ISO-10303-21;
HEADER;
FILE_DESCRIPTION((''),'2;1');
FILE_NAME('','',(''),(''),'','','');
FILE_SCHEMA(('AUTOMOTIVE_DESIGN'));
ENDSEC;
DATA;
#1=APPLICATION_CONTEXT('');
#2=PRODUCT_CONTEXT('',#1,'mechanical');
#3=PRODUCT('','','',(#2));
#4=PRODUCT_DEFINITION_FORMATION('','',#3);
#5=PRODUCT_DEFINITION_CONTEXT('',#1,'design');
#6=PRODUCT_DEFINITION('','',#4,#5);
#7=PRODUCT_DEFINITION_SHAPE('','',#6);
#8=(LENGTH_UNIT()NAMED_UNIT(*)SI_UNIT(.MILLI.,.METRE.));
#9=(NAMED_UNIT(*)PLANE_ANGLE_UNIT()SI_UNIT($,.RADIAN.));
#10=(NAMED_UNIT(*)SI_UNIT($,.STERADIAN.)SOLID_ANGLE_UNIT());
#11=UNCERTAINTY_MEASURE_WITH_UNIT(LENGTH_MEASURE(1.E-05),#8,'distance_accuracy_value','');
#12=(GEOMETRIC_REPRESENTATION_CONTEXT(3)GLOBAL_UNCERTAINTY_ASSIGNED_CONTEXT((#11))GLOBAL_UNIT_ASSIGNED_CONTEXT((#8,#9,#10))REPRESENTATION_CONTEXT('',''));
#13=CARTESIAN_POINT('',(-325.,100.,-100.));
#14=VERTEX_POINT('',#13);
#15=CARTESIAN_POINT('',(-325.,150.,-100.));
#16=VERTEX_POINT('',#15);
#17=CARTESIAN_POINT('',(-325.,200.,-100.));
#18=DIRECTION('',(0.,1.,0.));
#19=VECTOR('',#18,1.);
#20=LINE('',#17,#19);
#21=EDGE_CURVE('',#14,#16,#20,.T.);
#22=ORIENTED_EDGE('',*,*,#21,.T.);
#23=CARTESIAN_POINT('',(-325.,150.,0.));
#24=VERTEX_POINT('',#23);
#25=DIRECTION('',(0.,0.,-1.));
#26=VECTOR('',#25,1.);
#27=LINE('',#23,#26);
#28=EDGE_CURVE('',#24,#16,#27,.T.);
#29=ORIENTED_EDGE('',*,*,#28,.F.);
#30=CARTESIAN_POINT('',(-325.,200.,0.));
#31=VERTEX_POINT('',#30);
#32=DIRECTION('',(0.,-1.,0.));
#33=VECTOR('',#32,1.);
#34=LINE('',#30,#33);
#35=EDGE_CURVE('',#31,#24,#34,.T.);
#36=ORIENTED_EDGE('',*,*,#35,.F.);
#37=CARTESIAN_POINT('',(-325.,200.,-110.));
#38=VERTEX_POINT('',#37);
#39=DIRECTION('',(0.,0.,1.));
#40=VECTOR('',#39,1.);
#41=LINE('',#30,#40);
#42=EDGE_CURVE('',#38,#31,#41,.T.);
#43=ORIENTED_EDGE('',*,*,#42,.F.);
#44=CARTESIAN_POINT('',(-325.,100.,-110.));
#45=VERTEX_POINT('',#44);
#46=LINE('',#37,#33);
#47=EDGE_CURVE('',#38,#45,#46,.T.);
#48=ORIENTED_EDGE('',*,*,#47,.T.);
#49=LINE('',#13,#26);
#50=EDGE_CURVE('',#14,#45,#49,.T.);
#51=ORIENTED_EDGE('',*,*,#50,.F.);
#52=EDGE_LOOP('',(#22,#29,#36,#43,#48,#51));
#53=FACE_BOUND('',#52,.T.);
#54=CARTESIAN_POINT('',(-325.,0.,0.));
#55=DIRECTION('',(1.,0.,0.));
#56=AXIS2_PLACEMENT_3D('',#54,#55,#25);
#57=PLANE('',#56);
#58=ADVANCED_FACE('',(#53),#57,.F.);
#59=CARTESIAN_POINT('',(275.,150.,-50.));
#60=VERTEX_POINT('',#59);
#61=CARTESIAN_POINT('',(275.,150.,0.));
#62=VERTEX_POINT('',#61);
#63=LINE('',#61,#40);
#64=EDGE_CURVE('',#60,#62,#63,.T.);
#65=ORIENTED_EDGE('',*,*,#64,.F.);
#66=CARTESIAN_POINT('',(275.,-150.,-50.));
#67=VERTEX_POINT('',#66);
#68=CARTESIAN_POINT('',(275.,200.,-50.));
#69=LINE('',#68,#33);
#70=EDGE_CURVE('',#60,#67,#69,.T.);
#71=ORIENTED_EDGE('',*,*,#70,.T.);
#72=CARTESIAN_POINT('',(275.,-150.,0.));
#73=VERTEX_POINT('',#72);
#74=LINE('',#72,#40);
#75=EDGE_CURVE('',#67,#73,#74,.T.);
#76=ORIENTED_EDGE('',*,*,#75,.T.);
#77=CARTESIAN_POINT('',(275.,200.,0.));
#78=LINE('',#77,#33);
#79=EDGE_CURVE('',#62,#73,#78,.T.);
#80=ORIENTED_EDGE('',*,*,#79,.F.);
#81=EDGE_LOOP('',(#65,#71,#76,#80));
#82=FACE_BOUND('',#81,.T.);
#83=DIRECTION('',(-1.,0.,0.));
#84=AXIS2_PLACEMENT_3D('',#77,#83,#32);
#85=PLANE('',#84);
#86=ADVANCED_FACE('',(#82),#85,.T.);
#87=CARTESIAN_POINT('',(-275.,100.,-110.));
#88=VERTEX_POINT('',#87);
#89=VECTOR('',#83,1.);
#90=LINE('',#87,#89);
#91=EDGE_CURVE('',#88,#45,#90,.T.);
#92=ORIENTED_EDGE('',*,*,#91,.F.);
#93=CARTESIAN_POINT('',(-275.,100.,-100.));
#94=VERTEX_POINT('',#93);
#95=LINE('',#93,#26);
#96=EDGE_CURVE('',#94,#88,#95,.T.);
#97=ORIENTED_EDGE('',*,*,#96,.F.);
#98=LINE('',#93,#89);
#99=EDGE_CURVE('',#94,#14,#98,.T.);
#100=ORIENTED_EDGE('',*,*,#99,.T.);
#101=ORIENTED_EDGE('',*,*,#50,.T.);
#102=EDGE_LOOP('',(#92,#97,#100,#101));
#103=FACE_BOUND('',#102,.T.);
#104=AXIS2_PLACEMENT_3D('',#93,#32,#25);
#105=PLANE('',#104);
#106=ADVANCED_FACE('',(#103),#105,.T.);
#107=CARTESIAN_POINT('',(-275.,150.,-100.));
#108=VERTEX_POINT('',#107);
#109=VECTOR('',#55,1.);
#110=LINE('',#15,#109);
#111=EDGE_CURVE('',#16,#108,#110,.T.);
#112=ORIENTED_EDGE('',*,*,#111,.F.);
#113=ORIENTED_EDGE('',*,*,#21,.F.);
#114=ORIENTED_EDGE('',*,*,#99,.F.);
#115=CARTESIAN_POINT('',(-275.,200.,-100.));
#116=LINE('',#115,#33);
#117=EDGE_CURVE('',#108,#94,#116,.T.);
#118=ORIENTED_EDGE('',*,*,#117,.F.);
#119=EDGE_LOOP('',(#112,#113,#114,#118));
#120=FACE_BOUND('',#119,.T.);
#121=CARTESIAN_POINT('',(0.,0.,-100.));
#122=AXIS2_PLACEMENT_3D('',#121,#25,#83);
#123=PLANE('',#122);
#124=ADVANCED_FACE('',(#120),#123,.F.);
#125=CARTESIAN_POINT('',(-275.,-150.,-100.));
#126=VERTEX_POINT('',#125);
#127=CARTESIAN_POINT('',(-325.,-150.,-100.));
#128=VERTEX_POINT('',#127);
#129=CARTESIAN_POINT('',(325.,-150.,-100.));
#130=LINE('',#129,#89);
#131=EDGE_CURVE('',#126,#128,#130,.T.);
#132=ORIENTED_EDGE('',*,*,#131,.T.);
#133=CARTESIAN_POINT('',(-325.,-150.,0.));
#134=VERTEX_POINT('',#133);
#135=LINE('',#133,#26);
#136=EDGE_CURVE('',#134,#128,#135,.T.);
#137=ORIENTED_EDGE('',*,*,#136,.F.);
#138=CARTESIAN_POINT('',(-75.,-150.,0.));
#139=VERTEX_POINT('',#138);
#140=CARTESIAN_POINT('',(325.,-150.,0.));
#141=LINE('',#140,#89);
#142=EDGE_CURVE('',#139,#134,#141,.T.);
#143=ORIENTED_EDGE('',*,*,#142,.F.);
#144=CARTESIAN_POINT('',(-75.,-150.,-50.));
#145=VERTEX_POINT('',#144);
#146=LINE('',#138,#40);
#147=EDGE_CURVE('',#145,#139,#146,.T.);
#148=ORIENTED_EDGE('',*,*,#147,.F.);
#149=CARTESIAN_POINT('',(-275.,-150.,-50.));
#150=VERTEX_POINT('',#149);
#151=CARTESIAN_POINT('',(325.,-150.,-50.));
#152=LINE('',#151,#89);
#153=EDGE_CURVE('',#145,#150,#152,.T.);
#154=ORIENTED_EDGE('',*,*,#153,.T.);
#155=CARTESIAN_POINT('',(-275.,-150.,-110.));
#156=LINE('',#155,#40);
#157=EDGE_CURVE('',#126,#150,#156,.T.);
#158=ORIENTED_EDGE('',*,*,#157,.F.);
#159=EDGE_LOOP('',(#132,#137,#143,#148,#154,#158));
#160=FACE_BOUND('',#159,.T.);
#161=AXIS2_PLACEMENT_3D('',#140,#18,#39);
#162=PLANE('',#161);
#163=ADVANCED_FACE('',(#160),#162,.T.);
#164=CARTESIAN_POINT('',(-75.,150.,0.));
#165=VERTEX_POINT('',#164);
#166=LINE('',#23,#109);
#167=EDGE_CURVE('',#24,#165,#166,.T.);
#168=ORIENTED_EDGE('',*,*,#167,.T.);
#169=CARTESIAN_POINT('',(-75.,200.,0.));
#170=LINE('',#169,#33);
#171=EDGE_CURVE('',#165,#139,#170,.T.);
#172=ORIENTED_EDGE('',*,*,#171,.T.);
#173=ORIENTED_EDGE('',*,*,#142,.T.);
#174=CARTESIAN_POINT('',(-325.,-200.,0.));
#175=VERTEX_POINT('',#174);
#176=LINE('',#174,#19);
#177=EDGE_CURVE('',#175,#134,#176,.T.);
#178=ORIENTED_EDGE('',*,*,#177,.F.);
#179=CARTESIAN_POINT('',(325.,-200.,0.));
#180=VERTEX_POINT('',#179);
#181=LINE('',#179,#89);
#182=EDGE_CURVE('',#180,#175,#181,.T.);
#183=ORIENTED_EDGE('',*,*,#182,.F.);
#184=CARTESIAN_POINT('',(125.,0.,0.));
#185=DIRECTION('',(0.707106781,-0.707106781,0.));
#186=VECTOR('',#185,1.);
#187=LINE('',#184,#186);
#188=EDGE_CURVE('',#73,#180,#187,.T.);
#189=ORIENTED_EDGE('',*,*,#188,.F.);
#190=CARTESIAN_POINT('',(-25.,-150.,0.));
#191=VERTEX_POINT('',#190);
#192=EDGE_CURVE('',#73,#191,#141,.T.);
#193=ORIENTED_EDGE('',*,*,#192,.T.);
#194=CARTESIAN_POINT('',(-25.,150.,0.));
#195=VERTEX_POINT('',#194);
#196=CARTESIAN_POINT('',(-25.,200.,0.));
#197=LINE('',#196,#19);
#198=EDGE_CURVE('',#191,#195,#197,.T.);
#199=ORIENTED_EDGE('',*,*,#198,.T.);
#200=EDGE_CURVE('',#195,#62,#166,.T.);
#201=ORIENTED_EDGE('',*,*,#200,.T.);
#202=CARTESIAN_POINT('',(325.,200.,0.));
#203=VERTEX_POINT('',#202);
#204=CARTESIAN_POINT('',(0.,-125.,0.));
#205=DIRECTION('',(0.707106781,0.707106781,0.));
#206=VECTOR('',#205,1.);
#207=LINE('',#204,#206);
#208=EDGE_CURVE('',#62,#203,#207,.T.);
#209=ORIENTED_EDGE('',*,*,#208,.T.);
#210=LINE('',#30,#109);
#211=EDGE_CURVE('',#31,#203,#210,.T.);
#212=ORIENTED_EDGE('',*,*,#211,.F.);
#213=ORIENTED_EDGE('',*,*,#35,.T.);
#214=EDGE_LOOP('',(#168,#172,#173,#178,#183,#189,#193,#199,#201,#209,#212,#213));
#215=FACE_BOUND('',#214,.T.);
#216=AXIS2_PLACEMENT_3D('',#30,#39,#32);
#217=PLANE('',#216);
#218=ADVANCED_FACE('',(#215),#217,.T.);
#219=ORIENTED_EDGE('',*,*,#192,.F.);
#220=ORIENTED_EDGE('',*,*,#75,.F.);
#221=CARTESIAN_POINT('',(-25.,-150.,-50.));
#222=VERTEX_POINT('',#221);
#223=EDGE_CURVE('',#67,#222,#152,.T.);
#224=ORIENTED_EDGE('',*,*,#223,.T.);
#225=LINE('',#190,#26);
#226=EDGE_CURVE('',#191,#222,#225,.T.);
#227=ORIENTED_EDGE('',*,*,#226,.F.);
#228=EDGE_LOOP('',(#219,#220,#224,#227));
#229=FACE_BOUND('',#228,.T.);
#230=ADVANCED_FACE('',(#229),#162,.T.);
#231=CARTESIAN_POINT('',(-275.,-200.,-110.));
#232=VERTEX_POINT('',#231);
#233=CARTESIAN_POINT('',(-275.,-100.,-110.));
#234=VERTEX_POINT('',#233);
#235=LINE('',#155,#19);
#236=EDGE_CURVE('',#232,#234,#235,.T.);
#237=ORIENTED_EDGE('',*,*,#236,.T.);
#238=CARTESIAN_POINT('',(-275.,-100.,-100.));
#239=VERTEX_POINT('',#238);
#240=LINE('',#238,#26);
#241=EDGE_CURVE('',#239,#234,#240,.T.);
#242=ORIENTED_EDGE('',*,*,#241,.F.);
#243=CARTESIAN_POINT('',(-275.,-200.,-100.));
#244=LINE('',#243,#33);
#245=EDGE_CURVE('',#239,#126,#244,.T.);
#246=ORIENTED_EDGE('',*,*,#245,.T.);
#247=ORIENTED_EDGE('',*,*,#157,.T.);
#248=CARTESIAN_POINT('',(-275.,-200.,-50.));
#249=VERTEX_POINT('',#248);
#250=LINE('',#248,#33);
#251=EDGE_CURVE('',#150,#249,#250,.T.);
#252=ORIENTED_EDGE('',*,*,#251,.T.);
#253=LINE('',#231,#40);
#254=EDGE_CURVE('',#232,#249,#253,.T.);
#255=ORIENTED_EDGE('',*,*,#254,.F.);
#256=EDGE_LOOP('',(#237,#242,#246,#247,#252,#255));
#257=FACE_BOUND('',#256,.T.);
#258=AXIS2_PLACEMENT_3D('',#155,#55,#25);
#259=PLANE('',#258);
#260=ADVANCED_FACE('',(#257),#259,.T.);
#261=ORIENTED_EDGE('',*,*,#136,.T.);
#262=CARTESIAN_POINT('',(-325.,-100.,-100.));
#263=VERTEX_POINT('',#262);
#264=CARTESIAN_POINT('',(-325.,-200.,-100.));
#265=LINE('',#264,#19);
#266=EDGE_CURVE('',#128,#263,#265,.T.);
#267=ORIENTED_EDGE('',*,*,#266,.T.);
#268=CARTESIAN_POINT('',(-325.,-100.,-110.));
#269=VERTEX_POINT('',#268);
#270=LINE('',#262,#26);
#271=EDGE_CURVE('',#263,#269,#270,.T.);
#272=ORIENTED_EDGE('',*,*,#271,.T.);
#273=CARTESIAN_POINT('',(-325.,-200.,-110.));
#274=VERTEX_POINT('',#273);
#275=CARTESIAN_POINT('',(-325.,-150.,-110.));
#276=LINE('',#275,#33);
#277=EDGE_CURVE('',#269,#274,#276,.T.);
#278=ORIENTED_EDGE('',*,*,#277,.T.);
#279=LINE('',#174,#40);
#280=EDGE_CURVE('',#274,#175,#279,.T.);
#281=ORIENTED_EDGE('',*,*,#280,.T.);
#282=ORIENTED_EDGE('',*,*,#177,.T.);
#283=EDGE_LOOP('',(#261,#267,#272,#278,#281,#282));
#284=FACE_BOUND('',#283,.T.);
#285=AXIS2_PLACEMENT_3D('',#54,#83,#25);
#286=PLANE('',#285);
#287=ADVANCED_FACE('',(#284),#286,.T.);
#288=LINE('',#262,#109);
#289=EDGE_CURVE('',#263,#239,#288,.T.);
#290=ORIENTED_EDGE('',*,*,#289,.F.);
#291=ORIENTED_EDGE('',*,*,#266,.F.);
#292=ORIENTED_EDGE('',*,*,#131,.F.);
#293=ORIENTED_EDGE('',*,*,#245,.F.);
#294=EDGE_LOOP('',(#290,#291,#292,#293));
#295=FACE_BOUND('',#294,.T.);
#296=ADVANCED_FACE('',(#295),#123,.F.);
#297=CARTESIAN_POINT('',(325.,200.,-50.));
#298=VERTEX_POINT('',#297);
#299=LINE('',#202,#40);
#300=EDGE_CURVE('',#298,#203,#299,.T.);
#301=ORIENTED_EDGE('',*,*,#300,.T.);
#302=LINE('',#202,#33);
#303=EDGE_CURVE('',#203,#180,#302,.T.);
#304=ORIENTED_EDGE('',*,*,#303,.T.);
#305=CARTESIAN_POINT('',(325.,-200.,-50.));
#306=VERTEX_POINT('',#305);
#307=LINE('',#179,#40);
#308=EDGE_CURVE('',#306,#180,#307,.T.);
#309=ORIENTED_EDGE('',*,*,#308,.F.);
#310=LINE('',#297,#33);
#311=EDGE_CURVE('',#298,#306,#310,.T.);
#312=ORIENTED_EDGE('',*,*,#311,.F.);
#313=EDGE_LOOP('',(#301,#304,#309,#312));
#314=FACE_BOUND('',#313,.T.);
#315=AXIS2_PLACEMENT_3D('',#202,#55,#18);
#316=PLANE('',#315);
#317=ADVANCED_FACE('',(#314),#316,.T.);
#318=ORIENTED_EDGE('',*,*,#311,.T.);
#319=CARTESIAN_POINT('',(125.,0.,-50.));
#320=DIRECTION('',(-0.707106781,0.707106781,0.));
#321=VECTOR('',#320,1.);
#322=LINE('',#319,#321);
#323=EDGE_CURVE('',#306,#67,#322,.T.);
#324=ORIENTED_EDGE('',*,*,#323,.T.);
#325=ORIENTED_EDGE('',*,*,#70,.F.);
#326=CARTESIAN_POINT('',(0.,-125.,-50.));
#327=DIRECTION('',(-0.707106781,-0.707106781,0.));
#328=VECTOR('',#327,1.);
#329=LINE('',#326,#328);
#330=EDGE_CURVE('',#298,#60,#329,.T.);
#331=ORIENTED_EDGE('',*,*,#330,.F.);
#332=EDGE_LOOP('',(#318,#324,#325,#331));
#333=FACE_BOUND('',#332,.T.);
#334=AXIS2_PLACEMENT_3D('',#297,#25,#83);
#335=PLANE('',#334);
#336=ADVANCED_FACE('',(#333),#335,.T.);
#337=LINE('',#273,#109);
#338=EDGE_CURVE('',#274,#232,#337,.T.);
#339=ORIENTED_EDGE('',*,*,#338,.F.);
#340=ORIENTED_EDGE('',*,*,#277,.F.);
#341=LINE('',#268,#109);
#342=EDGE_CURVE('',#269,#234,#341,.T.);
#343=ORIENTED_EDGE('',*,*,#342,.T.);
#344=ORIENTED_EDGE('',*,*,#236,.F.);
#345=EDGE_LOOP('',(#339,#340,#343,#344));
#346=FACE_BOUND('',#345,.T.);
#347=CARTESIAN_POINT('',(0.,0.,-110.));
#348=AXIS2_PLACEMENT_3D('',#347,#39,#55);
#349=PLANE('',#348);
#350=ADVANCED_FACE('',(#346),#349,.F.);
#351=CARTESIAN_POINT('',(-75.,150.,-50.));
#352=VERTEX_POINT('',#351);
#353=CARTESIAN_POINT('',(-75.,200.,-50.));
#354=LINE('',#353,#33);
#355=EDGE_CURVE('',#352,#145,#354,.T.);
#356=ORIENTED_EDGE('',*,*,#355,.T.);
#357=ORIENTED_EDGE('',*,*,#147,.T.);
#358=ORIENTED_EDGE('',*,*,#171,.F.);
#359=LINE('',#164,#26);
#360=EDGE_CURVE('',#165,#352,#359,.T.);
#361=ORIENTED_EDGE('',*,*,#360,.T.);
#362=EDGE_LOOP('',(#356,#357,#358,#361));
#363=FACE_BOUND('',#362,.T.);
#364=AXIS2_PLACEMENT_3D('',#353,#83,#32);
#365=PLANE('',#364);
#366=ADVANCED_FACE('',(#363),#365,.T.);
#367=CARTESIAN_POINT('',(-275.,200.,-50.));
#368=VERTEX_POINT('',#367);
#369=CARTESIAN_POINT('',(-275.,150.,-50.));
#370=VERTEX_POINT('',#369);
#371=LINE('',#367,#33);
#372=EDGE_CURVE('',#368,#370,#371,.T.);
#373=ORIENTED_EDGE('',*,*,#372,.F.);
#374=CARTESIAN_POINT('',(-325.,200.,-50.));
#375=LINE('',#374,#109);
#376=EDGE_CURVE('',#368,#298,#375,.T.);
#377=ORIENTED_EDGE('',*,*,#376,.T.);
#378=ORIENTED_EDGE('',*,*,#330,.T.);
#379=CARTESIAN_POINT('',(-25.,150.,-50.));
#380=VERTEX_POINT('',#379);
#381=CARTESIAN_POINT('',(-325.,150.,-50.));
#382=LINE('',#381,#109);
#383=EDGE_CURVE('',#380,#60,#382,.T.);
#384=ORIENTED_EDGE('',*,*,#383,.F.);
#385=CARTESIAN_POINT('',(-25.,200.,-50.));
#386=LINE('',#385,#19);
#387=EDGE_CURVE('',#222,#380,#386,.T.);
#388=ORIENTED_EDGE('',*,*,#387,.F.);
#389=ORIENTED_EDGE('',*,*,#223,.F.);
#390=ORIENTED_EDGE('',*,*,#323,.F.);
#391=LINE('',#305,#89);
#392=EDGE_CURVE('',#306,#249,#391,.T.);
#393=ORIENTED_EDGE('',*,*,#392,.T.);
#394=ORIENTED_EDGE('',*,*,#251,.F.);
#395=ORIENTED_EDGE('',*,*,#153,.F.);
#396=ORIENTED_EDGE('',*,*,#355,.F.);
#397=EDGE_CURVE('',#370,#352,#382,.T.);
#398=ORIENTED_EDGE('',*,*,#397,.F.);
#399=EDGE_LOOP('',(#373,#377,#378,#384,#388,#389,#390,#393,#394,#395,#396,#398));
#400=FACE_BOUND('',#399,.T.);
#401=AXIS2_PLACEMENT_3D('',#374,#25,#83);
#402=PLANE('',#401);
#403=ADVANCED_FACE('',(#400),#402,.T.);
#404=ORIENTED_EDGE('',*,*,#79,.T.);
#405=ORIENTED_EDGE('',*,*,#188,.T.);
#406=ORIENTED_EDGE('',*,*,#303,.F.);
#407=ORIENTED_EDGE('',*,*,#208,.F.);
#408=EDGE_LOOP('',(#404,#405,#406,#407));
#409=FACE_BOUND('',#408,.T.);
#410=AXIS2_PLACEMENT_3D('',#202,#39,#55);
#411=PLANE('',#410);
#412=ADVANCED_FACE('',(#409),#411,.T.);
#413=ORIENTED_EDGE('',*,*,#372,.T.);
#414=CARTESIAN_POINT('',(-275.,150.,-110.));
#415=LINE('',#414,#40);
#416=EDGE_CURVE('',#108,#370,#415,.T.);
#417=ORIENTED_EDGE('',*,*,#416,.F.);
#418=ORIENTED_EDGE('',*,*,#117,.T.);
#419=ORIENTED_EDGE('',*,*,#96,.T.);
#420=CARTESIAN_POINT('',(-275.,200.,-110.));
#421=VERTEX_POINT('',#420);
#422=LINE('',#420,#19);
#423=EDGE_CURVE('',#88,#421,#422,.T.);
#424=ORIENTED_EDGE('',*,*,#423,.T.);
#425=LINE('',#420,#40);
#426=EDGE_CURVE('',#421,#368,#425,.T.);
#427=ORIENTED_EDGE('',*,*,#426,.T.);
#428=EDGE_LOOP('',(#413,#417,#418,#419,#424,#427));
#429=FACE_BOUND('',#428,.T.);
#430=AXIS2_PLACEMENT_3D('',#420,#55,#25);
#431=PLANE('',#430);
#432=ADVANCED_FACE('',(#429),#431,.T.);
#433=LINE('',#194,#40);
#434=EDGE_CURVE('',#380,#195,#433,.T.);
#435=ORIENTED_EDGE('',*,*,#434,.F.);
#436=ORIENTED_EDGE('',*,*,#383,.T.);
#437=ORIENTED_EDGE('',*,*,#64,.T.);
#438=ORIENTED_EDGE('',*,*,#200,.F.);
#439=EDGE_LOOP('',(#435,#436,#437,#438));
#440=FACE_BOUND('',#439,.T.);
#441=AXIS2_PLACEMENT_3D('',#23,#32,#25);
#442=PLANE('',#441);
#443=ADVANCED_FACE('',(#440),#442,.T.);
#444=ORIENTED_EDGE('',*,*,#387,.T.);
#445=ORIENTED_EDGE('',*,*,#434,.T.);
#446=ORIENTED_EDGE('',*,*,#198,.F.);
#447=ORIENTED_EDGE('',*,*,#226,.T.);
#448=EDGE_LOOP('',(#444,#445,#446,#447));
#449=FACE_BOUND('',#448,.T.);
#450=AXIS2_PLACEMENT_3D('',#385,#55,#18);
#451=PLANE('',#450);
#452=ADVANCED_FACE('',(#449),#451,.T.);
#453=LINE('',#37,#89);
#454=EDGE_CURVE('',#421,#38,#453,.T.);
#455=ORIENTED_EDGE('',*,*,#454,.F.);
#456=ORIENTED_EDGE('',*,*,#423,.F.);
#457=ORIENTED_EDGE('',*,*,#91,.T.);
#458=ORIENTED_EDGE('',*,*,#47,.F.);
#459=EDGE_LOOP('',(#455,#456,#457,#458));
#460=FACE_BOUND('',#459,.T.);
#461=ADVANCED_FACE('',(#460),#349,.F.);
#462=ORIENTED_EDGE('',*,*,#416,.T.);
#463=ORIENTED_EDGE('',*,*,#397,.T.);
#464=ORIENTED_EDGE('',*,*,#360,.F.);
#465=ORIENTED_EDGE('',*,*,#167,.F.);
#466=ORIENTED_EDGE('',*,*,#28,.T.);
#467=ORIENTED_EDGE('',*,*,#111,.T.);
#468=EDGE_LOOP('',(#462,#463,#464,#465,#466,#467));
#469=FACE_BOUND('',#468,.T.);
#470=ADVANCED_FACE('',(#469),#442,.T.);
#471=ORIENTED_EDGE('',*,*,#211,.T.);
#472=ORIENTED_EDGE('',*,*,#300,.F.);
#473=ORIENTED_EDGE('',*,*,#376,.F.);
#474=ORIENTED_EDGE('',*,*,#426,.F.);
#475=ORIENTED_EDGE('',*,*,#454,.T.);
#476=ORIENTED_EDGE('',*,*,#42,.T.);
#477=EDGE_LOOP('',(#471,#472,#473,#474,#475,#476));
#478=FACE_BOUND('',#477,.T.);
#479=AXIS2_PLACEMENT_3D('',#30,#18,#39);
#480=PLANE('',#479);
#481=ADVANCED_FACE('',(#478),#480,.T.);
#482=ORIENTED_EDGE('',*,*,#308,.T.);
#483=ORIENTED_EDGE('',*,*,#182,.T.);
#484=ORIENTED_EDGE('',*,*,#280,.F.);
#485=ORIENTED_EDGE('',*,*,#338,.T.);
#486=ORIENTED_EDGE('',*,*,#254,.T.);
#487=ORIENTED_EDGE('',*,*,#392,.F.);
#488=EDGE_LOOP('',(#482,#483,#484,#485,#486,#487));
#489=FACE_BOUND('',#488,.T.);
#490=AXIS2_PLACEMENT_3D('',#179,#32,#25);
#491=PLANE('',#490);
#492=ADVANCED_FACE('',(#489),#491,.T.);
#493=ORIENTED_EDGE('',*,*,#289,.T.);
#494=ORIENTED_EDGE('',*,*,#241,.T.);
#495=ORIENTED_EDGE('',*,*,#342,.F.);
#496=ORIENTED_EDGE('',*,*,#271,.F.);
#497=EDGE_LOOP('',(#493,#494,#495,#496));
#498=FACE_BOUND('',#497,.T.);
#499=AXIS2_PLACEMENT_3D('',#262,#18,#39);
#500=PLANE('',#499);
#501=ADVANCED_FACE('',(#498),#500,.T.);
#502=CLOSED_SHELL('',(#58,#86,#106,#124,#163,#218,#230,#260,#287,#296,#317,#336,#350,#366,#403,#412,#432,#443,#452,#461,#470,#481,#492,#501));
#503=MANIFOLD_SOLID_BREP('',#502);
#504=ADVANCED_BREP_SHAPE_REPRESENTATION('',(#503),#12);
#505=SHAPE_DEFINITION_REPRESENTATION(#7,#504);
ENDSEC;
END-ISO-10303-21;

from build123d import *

# Parameters (mm, degrees)
SKETCH8_W           = 50
SKETCH8_H           = 50
SKETCH9_W           = 50
SKETCH9_H           = 50
BOSS_EXTRUDE1_DEPTH = 110
SKETCH10_W          = 50
SKETCH10_H          = 400
BOSS_EXTRUDE2_DEPTH = 50
SKETCH11_W          = 50
SKETCH11_H          = 100
BOSS_EXTRUDE3_DEPTH = 10


with BuildPart() as part:
    # Sweep1: sweep along a path in Sketch1
    with BuildLine(Plane.XY) as sweep1_path:
        Line((-325, 200), (325, 200))
        Line((325, 200), (325, -200))
        Line((325, -200), (-325, -200))
    # Sketch8 → Sweep1 (sweep)
    with BuildSketch(Plane(origin=(0, 0, 0), x_dir=(0, 0, -1), z_dir=(1, 0, 0))):
        with Locations((25, 175)):
            Rectangle(SKETCH8_W, SKETCH8_H)
    sweep(path=sweep1_path.line, transition=Transition.RIGHT)

    # Sketch9 → Boss-Extrude1 (add)
    with BuildSketch(Plane.XY):
        with Locations((-300, 175)):
            Rectangle(SKETCH9_W, SKETCH9_H)
        with Locations((-300, -175)):
            Rectangle(SKETCH9_W, SKETCH9_H)
    extrude(amount=-BOSS_EXTRUDE1_DEPTH)

    # Sketch10 → Boss-Extrude2 (add)
    with BuildSketch(Plane.XY):
        with Locations((-50, 0)):
            Rectangle(SKETCH10_W, SKETCH10_H)
    extrude(amount=-BOSS_EXTRUDE2_DEPTH)

    # Sketch11 → Boss-Extrude3 (add)
    with BuildSketch(Plane(origin=(0, 0, -110), x_dir=(-1, 0, 0), z_dir=(0, 0, -1))):
        with Locations((300, 150)):
            Rectangle(SKETCH11_W, SKETCH11_H)
        with Locations((300, -150)):
            Rectangle(SKETCH11_W, SKETCH11_H)
    extrude(amount=-BOSS_EXTRUDE3_DEPTH)


solid = part.part
